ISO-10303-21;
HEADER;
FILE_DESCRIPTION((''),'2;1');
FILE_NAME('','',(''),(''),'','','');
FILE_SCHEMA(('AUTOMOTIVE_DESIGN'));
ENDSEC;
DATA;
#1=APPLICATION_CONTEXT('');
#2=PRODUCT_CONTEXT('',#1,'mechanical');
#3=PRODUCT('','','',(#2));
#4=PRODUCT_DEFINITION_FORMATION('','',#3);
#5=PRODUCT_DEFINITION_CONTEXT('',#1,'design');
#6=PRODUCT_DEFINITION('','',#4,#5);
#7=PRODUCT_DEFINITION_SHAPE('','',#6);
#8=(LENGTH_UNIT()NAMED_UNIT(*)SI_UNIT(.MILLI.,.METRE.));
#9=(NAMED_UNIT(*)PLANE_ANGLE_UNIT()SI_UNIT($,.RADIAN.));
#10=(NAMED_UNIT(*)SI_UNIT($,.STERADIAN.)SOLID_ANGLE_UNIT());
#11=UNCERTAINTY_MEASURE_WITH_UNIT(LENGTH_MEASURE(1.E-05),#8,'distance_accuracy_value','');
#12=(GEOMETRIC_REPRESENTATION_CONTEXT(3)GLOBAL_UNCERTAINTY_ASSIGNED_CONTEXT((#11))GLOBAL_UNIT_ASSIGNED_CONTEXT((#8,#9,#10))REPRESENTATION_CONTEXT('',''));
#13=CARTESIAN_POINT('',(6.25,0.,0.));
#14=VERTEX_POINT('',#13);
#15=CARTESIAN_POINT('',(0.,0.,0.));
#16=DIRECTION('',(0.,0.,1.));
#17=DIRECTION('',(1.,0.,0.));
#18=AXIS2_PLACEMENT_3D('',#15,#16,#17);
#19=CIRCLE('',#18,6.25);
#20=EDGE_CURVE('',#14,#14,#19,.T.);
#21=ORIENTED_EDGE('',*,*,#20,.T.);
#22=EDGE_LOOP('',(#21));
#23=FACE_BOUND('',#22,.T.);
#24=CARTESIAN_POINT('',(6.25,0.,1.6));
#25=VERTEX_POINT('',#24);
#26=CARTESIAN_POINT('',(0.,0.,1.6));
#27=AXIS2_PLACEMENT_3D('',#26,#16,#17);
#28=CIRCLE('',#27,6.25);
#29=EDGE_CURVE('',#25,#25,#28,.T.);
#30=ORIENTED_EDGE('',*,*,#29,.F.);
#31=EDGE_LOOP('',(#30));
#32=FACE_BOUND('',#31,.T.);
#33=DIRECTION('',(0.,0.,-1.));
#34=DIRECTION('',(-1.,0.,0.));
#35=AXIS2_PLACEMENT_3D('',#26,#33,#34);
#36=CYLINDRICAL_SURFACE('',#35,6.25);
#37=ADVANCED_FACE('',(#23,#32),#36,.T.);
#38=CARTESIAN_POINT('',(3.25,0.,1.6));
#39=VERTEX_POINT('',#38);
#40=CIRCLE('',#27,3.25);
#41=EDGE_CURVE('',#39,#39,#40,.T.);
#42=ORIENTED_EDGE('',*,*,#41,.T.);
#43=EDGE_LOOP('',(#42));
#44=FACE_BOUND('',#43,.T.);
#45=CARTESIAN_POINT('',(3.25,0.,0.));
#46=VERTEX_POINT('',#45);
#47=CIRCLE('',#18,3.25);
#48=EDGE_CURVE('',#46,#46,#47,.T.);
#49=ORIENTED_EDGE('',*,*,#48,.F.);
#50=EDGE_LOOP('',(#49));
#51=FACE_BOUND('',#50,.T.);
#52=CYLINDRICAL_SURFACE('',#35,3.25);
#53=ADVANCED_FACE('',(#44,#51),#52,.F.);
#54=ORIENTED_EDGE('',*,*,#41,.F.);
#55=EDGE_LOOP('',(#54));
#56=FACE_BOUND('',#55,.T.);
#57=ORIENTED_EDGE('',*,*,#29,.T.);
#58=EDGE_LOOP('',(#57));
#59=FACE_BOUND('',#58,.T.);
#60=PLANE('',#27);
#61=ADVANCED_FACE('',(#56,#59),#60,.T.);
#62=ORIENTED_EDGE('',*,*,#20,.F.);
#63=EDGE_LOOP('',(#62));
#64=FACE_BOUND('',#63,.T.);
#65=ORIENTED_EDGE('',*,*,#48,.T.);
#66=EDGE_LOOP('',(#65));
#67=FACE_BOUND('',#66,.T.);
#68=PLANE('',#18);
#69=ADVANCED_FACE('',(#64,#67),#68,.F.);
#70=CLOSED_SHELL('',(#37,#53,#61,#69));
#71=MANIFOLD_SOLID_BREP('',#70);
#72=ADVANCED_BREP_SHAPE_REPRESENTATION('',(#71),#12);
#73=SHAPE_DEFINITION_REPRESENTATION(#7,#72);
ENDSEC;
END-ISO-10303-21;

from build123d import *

# Parameters (mm, degrees)
SKETCH1_R           = 6.25
SKETCH1_R_2         = 3.25
BOSS_EXTRUDE1_DEPTH = 1.6


with BuildPart() as part:
    # Sketch1 → Boss-Extrude1 (new body)
    with BuildSketch(Plane.XY):
        Circle(SKETCH1_R)
        Circle(SKETCH1_R_2, mode=Mode.SUBTRACT)
    extrude(amount=BOSS_EXTRUDE1_DEPTH)


solid = part.part
